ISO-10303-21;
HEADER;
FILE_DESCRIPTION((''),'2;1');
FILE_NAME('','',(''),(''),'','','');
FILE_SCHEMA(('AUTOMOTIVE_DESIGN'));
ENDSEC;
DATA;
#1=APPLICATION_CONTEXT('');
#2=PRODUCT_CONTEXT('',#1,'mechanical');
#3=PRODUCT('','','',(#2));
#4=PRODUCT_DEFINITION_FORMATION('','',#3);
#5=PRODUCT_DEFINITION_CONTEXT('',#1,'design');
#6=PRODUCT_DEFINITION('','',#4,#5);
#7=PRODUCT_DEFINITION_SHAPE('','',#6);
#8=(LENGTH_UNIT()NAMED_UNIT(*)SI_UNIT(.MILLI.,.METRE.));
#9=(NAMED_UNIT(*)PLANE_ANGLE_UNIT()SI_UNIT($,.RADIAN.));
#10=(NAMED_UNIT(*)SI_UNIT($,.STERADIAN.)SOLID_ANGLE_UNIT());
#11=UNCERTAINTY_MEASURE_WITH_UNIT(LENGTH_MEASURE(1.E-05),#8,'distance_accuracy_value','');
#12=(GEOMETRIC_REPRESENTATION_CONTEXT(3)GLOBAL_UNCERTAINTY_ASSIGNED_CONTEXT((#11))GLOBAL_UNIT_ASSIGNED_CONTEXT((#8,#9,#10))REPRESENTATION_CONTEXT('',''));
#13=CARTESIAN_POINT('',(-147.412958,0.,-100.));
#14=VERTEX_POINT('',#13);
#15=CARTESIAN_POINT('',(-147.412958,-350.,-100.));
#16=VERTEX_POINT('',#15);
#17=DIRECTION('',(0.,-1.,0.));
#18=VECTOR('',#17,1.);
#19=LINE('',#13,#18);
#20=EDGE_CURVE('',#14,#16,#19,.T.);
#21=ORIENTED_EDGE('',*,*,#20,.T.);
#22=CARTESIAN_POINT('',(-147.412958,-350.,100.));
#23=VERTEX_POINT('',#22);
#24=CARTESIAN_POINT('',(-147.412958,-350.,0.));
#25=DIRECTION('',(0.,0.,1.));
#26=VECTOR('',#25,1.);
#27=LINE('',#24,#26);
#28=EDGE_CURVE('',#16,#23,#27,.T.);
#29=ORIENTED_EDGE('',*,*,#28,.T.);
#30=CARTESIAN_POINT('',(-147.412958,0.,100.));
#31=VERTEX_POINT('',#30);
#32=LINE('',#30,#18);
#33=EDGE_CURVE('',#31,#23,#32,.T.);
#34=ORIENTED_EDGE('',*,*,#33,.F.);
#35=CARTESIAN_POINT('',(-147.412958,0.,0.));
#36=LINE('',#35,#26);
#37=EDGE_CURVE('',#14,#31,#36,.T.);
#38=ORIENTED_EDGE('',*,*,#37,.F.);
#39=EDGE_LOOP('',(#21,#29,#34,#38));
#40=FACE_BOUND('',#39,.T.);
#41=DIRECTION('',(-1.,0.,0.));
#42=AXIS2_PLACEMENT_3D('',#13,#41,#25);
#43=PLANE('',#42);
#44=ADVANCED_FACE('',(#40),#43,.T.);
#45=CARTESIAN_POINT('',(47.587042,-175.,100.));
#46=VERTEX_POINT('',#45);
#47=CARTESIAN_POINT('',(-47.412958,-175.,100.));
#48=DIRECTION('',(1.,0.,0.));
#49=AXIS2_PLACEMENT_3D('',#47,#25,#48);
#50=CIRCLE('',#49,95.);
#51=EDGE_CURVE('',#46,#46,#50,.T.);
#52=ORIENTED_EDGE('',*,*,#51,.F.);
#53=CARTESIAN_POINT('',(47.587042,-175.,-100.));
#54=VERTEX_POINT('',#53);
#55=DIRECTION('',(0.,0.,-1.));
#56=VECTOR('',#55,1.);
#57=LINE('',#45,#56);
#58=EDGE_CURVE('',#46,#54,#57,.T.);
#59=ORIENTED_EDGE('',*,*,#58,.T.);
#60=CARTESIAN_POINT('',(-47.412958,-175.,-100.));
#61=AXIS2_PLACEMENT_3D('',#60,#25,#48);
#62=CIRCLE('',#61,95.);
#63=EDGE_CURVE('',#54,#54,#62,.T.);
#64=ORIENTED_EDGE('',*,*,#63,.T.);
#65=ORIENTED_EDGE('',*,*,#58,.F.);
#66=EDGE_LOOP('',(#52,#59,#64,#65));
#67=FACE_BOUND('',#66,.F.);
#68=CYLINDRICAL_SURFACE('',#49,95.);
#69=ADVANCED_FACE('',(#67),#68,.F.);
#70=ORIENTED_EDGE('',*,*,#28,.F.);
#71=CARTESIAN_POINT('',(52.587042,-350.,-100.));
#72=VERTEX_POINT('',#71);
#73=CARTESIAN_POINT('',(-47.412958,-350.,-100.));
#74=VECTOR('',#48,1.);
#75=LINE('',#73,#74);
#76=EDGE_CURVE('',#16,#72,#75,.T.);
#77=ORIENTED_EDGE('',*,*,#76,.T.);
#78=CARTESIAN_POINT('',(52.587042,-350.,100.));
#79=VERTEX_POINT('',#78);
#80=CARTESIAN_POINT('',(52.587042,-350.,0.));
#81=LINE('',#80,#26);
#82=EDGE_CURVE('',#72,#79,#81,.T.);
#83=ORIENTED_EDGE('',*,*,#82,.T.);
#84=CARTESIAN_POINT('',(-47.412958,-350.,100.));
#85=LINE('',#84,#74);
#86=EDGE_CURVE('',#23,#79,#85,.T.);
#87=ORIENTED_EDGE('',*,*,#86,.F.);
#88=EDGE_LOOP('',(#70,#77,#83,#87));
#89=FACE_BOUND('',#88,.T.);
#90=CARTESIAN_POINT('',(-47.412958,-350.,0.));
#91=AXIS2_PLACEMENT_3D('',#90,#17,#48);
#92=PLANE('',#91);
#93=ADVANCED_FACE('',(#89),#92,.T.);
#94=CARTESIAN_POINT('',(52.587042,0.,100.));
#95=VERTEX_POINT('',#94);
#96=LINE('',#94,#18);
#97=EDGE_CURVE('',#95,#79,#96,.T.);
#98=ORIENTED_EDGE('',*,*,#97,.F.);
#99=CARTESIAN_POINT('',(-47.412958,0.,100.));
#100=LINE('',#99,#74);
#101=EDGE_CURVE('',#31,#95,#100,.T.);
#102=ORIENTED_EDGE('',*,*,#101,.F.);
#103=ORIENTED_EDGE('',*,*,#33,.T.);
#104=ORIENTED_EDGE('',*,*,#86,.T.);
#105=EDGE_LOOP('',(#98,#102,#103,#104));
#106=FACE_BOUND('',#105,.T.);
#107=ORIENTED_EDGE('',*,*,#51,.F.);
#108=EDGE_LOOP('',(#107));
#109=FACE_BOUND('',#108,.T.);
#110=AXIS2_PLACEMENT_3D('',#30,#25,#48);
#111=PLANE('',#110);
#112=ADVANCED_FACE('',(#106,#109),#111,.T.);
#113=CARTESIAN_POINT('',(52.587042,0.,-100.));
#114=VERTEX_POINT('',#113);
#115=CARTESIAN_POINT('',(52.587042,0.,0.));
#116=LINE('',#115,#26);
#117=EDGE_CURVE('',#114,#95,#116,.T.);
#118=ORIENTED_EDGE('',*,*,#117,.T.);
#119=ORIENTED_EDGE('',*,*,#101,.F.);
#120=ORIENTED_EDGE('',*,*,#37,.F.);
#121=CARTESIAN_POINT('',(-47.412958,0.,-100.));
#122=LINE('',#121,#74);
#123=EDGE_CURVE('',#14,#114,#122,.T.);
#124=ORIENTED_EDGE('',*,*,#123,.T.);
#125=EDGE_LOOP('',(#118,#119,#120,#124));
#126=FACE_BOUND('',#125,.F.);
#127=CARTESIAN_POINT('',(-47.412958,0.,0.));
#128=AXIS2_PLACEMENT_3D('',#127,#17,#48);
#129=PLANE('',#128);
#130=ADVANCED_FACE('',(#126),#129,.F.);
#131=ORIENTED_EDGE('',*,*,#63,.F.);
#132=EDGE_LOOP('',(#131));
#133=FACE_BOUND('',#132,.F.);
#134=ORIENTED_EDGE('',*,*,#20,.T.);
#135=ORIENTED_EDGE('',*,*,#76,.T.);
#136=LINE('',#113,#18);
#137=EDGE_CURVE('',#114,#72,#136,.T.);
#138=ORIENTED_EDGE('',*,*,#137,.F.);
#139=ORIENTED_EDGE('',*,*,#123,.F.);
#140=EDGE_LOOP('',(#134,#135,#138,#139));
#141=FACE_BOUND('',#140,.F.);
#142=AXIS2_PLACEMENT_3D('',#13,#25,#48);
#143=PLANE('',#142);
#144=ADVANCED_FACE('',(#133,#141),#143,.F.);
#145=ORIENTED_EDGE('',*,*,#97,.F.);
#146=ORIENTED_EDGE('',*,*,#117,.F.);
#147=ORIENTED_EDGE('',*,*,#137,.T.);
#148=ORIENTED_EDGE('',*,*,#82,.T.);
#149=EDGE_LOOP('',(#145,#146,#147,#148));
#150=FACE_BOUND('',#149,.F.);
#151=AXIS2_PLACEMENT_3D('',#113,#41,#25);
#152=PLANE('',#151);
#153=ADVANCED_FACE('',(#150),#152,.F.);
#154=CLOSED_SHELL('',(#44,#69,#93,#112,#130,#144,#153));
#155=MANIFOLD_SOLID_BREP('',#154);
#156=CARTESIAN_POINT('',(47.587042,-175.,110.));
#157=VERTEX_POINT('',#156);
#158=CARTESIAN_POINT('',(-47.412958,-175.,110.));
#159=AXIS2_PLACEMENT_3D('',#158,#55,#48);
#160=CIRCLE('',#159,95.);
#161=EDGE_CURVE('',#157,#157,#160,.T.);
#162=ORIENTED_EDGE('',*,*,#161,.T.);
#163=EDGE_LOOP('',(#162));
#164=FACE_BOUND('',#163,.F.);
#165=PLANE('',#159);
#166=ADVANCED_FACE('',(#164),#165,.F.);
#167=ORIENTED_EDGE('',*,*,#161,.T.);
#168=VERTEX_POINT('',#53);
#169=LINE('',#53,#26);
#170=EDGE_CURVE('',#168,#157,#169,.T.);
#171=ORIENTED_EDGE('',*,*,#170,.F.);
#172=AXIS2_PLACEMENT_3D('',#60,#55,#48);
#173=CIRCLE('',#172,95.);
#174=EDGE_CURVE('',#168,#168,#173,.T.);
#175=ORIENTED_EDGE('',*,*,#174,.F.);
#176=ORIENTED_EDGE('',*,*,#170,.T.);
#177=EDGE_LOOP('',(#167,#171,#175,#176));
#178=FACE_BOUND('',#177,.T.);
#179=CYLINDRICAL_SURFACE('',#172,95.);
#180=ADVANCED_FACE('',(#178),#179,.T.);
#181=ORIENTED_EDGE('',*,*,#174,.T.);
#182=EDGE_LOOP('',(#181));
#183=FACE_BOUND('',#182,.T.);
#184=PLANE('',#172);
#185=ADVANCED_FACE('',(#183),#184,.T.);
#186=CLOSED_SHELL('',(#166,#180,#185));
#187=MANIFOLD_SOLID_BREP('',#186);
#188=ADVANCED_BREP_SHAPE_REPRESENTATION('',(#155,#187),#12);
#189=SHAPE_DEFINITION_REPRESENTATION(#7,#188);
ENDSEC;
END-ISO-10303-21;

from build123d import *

# Parameters (mm, degrees)
F3_W     = 200
F3_H     = 200
F4_DEPTH = 350
F5_R     = 95
F6_DEPTH = 200.001
F7_R     = 95
F8_DEPTH = 210


with BuildPart() as f4:
    # F3 (on Front) → F4 (new body)
    with BuildSketch(Plane.XZ):
        with Locations((-47.4129579961, 0)):
            Rectangle(F3_W, F3_H)
    extrude(amount=F4_DEPTH)

    # F5 (on face) → F6 (cut, through all)
    with BuildSketch(Plane.XY.offset(100)):
        with Locations((-47.4129579961, -175)):
            Circle(F5_R)
    extrude(amount=-F6_DEPTH, mode=Mode.SUBTRACT)


with BuildPart() as f8:
    # F7 (on face) → F8 (new body)
    with BuildSketch(Plane(origin=(0, 0, -100), x_dir=(1, 0, 0), z_dir=(0, 0, -1))):
        with Locations((-47.4129579961, 175)):
            Circle(F7_R)
    extrude(amount=-F8_DEPTH)


solid = Compound([f4.part, f8.part])
